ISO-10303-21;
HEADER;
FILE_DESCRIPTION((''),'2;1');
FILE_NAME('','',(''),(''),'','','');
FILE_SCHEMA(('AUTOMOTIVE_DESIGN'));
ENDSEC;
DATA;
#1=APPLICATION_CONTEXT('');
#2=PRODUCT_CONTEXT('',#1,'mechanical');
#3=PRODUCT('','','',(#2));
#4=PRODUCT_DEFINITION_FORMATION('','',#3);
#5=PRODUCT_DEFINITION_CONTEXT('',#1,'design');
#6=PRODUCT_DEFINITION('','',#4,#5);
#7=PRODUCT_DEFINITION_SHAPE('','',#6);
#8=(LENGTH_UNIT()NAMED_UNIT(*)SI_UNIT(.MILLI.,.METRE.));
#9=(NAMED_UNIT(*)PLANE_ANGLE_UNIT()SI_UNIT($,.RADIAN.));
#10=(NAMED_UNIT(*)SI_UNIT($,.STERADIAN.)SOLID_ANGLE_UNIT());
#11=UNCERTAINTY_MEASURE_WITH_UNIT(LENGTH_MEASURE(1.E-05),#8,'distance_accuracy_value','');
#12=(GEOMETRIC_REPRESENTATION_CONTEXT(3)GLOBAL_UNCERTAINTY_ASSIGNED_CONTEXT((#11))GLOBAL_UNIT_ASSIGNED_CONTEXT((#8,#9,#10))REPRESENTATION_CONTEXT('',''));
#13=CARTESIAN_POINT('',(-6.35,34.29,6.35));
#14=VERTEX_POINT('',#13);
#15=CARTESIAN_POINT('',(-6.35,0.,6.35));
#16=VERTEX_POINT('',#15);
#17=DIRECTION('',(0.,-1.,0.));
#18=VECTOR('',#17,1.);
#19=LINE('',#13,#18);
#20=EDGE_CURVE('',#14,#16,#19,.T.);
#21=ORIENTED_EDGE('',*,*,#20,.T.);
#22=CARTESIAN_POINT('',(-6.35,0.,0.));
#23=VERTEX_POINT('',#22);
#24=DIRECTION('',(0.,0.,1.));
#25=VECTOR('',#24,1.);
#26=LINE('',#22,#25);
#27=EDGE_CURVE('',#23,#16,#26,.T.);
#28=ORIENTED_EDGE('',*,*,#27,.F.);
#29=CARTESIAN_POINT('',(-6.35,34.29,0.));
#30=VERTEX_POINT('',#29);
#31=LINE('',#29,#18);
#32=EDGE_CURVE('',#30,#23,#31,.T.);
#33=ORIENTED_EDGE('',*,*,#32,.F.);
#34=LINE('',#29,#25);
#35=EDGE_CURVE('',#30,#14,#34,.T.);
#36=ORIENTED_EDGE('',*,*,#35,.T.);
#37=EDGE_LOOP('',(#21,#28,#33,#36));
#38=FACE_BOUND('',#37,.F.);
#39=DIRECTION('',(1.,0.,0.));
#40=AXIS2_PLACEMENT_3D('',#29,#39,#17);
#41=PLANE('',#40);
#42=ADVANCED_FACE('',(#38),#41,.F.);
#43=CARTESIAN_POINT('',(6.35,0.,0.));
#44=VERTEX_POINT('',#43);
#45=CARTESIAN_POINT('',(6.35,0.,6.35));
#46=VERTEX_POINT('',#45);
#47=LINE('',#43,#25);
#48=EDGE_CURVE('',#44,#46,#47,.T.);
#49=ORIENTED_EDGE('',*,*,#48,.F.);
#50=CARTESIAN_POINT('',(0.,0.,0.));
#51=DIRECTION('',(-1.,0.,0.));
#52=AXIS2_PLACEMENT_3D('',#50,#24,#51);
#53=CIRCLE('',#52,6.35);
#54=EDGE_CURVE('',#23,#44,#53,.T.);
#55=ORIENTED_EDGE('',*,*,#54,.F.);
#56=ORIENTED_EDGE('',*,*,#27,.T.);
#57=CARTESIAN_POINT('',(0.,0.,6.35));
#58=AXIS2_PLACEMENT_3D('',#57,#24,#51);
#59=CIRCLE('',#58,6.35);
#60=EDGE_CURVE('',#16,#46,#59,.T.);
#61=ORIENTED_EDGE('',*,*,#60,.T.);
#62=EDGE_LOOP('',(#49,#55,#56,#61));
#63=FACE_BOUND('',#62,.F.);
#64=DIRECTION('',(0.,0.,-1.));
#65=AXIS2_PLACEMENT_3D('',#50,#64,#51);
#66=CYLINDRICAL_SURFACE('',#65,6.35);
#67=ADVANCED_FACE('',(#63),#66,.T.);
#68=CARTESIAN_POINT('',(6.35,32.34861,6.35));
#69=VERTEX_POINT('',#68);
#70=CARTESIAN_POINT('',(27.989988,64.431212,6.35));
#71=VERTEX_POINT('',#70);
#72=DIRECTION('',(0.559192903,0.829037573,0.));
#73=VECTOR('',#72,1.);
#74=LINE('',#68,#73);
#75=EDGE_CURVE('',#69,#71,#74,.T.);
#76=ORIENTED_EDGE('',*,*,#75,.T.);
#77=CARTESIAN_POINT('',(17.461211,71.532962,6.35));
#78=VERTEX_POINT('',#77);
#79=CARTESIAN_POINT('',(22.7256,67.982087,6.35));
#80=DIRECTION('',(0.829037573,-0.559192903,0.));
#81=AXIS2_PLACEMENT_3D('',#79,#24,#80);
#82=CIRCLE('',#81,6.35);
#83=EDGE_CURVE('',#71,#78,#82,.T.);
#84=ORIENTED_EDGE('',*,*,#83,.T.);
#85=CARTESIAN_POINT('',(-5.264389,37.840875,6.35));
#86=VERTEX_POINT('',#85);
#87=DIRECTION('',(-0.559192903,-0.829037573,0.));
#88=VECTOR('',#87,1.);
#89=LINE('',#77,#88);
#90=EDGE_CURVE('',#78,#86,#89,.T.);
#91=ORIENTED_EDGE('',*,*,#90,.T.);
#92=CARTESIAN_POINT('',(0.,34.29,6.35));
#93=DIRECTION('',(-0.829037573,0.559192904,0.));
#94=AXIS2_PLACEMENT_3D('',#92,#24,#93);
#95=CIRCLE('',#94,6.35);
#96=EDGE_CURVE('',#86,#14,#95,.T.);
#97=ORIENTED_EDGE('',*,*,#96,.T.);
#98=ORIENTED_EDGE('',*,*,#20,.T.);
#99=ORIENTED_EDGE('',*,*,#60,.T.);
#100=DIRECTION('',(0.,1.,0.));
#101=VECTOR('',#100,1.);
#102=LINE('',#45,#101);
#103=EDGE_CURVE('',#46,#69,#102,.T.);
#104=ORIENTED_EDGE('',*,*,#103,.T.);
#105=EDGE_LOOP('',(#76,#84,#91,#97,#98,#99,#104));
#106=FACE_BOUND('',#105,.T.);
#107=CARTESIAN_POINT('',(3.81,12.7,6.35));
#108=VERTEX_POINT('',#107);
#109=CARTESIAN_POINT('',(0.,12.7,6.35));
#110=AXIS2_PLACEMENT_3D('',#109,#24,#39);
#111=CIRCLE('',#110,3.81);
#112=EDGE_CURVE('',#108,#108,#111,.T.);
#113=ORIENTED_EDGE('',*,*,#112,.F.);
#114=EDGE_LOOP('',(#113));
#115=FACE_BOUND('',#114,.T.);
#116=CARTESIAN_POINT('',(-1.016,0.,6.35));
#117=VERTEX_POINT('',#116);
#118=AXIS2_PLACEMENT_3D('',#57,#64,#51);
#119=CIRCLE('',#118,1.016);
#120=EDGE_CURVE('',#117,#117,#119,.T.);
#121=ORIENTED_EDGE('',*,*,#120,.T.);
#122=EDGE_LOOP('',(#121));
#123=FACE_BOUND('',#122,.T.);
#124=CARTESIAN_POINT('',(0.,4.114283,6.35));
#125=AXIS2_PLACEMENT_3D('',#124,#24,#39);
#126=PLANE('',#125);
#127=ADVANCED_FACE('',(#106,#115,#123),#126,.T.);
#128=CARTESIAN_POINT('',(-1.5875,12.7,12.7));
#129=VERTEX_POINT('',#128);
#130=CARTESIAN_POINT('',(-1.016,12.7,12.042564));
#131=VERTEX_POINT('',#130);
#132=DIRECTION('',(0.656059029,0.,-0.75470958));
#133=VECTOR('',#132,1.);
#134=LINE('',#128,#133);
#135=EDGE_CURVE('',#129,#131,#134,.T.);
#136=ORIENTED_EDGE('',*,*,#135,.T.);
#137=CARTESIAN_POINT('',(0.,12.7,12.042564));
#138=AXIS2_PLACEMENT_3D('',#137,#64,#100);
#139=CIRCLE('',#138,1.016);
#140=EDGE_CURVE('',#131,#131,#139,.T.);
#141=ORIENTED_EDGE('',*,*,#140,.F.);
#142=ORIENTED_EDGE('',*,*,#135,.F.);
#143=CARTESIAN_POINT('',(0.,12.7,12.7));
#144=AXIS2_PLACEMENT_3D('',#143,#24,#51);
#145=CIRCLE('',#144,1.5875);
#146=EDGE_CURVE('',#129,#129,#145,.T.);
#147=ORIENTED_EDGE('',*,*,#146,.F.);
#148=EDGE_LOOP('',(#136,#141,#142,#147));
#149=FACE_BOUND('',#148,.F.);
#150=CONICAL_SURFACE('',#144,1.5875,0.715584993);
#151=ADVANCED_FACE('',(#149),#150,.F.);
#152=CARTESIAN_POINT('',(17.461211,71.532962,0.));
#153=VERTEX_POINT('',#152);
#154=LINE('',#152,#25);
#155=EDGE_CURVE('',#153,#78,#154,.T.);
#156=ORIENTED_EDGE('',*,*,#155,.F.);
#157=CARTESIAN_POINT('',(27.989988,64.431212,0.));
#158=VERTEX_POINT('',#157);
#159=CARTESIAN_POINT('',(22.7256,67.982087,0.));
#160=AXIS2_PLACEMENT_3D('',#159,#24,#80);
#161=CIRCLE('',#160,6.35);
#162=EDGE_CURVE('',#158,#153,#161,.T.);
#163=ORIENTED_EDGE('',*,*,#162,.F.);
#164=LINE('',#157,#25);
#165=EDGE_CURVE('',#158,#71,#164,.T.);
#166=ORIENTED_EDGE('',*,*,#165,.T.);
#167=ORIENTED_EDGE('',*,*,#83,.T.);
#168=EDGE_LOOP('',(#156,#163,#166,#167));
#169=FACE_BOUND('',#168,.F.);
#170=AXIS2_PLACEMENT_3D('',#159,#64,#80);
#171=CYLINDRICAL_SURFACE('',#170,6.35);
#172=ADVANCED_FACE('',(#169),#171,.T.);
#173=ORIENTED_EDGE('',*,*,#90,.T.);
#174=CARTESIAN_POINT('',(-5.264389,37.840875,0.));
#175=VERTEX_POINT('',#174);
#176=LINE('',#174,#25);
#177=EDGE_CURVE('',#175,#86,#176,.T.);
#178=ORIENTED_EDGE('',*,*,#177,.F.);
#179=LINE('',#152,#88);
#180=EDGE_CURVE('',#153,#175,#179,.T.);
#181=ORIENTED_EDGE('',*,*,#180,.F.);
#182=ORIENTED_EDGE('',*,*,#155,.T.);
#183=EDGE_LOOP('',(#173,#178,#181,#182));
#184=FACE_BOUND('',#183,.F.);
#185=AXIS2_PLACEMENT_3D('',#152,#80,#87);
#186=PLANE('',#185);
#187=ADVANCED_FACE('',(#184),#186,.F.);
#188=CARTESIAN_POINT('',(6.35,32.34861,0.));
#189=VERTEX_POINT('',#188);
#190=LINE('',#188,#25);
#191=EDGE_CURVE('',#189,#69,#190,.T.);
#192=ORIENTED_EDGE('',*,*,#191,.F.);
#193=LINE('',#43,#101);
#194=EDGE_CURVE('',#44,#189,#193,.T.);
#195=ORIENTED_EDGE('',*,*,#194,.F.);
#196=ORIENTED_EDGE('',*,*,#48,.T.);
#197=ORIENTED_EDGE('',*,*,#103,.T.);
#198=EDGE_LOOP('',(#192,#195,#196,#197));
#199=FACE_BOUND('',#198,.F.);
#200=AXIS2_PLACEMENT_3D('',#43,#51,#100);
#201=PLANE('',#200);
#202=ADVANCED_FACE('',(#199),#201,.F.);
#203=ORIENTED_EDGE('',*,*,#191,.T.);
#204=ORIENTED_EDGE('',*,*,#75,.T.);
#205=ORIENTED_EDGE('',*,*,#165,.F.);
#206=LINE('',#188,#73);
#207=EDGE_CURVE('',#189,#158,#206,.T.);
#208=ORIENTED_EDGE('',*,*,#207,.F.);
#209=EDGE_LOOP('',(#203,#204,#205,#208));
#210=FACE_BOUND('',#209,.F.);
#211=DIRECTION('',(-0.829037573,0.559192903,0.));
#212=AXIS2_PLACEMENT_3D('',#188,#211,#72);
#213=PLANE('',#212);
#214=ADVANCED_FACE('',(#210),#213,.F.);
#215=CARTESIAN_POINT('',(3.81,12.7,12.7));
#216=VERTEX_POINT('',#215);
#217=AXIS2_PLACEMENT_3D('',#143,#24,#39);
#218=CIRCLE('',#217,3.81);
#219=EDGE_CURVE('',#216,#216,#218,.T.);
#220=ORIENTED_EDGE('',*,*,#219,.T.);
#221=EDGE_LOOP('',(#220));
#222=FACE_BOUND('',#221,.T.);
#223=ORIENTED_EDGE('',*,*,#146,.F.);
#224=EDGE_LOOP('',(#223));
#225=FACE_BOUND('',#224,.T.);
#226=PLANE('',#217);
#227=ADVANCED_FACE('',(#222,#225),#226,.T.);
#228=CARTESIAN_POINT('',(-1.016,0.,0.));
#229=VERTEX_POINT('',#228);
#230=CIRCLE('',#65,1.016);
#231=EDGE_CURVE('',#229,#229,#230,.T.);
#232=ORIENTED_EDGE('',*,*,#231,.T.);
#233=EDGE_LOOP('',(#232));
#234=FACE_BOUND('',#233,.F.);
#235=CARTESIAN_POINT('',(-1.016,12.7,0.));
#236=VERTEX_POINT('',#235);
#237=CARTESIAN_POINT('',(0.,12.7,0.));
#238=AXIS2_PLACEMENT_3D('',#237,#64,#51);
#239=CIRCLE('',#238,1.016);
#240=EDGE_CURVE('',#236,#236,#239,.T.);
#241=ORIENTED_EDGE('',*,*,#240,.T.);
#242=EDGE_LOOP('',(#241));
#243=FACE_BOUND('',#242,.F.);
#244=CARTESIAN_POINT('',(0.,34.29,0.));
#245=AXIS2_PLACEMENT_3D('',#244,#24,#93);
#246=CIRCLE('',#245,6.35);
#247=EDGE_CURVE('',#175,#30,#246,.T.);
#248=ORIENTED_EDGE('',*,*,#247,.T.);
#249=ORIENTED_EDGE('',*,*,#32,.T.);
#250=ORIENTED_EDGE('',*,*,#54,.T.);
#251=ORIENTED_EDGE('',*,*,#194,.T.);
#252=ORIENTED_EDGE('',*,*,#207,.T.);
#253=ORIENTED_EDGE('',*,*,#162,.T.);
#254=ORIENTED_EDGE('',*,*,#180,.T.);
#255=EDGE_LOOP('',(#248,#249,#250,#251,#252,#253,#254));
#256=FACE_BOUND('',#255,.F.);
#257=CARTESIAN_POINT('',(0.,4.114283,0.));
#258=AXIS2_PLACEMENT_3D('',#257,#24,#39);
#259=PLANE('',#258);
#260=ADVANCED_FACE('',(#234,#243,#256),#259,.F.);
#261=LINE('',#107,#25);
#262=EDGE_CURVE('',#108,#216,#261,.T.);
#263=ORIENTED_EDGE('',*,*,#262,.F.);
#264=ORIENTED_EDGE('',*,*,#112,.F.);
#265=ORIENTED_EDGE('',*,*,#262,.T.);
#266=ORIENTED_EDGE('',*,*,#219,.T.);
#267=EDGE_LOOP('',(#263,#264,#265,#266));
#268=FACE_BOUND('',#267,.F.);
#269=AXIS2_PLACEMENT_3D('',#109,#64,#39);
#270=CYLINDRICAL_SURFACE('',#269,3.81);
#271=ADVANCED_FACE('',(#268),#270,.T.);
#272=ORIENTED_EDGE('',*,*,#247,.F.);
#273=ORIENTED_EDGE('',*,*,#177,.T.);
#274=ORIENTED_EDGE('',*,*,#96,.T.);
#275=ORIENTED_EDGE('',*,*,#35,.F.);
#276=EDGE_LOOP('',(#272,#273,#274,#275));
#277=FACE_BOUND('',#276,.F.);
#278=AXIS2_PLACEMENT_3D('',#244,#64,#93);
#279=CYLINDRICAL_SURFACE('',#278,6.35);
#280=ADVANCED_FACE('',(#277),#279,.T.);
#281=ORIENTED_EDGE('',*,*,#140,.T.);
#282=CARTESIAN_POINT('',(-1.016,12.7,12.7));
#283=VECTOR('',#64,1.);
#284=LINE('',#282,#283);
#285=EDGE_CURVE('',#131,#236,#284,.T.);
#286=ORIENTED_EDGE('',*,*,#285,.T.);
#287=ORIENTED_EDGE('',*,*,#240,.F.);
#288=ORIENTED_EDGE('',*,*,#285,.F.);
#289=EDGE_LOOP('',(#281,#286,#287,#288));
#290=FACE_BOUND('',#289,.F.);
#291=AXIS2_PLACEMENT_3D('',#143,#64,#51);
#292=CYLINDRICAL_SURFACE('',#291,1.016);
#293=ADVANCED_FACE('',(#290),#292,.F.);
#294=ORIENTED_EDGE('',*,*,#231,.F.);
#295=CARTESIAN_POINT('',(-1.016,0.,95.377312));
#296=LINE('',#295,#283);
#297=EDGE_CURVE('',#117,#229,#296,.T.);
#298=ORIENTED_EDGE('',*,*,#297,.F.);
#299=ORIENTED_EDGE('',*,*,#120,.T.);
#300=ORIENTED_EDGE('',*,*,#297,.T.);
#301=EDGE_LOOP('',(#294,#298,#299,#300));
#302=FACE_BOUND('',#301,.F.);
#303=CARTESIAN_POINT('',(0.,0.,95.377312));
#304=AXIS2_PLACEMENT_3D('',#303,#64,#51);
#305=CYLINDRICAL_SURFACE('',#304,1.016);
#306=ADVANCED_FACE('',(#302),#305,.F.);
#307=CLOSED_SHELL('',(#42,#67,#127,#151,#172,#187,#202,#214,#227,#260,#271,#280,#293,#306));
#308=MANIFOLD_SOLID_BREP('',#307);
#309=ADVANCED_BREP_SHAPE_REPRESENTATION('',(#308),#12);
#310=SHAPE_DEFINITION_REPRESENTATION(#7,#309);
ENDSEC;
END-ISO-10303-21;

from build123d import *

# Parameters (mm, degrees)
F1_DEPTH       = 6.35
F2_R           = 3.81
F3_DEPTH       = 6.35
F5_D           = 2.032
F5_CSINK_D     = 3.175
F5_CSINK_ANGLE = 82
F7_D           = 2.032


with BuildPart() as f1:
    # F0 (on Top) → F1 (new body)
    with BuildSketch(Plane.XY):
        with BuildLine():
            ThreePointArc((6.35, 12.7), (4.4901280605, 8.2098719395), (0, 6.35))
            ThreePointArc((0, 6.35), (-4.4901280605, 8.2098719395), (-6.35, 12.7))
            Line((-6.35, 12.7), (-6.35, 0))
            ThreePointArc((-6.35, 0), (0, -6.35), (6.35, 0))
            Line((6.35, 0), (6.35, 12.7))
        make_face()
        with BuildLine():
            Line((6.35, 34.29), (6.35, 32.3486101727))
            Line((6.35, 32.3486101727), (27.9899881828, 64.4312120116))
            ThreePointArc((27.9899881828, 64.4312120116), (26.2764745341, 73.2464755344), (17.4612110113, 71.5329618857))
            Line((17.4612110113, 71.5329618857), (-5.2643885857, 37.840874937))
            ThreePointArc((-5.2643885857, 37.840874937), (-1.2116371206, 40.5233326149), (3.550874937, 39.5543885857))
            ThreePointArc((3.550874937, 39.5543885857), (5.6067172147, 37.2711444237), (6.35, 34.29))
        make_face()
        with BuildLine():
            Line((0, 12.7), (0, 6.35))
            ThreePointArc((0, 6.35), (4.4901280605, 8.2098719395), (6.35, 12.7))
            ThreePointArc((6.35, 12.7), (4.4901280605, 17.1901280605), (0, 19.05))
            Line((0, 19.05), (0, 12.7))
        make_face()
        with BuildLine():
            ThreePointArc((-6.35, 12.7), (-4.4901280605, 8.2098719395), (0, 6.35))
            Line((0, 6.35), (0, 12.7))
            Line((0, 12.7), (0, 19.05))
            ThreePointArc((0, 19.05), (-4.4901280605, 17.1901280605), (-6.35, 12.7))
        make_face()
        with BuildLine():
            Line((-6.35, 34.29), (-6.35, 12.7))
            ThreePointArc((-6.35, 12.7), (-4.4901280605, 17.1901280605), (0, 19.05))
            Line((0, 19.05), (0, 27.94))
            ThreePointArc((0, 27.94), (-4.4901280605, 29.7998719395), (-6.35, 34.29))
        make_face()
        with BuildLine():
            ThreePointArc((0, 19.05), (4.4901280605, 17.1901280605), (6.35, 12.7))
            Line((6.35, 12.7), (6.35, 32.3486101727))
            Line((6.35, 32.3486101727), (5.2643885857, 30.739125063))
            ThreePointArc((5.2643885857, 30.739125063), (2.9811444237, 28.6832827853), (0, 27.94))
            Line((0, 27.94), (0, 19.05))
        make_face()
        with BuildLine():
            ThreePointArc((-5.2643885857, 37.840874937), (-6.0725352004, 36.146560325), (-6.35, 34.29))
            ThreePointArc((-6.35, 34.29), (-4.4901280605, 29.7998719395), (0, 27.94))
            Line((0, 27.94), (0, 34.29))
            Line((0, 34.29), (3.550874937, 39.5543885857))
            ThreePointArc((3.550874937, 39.5543885857), (-1.2116371206, 40.5233326149), (-5.2643885857, 37.840874937))
        make_face()
        with BuildLine():
            Line((5.2643885857, 30.739125063), (6.35, 32.3486101727))
            Line((6.35, 32.3486101727), (6.35, 34.29))
            ThreePointArc((6.35, 34.29), (5.6067172147, 37.2711444237), (3.550874937, 39.5543885857))
            Line((3.550874937, 39.5543885857), (0, 34.29))
            Line((0, 34.29), (0, 27.94))
            ThreePointArc((0, 27.94), (2.9811444237, 28.6832827853), (5.2643885857, 30.739125063))
        make_face()
    extrude(amount=F1_DEPTH)

    # F2 (on face) → F3 (join)
    with BuildSketch(Plane.XY.offset(6.35)):
        with Locations((0, 12.7)):
            Circle(F2_R)
    extrude(amount=F3_DEPTH)

    # F5 (through all)
    with Locations(Plane.XY.offset(12.7)):
        with Locations((0, 12.7)):
            CounterSinkHole(F5_D / 2, F5_CSINK_D / 2, counter_sink_angle=F5_CSINK_ANGLE)

    # F7 (through all)
    with Locations(Plane.XY.offset(6.35)):
        with Locations((0, 0)):
            Hole(F7_D / 2)


solid = f1.part
